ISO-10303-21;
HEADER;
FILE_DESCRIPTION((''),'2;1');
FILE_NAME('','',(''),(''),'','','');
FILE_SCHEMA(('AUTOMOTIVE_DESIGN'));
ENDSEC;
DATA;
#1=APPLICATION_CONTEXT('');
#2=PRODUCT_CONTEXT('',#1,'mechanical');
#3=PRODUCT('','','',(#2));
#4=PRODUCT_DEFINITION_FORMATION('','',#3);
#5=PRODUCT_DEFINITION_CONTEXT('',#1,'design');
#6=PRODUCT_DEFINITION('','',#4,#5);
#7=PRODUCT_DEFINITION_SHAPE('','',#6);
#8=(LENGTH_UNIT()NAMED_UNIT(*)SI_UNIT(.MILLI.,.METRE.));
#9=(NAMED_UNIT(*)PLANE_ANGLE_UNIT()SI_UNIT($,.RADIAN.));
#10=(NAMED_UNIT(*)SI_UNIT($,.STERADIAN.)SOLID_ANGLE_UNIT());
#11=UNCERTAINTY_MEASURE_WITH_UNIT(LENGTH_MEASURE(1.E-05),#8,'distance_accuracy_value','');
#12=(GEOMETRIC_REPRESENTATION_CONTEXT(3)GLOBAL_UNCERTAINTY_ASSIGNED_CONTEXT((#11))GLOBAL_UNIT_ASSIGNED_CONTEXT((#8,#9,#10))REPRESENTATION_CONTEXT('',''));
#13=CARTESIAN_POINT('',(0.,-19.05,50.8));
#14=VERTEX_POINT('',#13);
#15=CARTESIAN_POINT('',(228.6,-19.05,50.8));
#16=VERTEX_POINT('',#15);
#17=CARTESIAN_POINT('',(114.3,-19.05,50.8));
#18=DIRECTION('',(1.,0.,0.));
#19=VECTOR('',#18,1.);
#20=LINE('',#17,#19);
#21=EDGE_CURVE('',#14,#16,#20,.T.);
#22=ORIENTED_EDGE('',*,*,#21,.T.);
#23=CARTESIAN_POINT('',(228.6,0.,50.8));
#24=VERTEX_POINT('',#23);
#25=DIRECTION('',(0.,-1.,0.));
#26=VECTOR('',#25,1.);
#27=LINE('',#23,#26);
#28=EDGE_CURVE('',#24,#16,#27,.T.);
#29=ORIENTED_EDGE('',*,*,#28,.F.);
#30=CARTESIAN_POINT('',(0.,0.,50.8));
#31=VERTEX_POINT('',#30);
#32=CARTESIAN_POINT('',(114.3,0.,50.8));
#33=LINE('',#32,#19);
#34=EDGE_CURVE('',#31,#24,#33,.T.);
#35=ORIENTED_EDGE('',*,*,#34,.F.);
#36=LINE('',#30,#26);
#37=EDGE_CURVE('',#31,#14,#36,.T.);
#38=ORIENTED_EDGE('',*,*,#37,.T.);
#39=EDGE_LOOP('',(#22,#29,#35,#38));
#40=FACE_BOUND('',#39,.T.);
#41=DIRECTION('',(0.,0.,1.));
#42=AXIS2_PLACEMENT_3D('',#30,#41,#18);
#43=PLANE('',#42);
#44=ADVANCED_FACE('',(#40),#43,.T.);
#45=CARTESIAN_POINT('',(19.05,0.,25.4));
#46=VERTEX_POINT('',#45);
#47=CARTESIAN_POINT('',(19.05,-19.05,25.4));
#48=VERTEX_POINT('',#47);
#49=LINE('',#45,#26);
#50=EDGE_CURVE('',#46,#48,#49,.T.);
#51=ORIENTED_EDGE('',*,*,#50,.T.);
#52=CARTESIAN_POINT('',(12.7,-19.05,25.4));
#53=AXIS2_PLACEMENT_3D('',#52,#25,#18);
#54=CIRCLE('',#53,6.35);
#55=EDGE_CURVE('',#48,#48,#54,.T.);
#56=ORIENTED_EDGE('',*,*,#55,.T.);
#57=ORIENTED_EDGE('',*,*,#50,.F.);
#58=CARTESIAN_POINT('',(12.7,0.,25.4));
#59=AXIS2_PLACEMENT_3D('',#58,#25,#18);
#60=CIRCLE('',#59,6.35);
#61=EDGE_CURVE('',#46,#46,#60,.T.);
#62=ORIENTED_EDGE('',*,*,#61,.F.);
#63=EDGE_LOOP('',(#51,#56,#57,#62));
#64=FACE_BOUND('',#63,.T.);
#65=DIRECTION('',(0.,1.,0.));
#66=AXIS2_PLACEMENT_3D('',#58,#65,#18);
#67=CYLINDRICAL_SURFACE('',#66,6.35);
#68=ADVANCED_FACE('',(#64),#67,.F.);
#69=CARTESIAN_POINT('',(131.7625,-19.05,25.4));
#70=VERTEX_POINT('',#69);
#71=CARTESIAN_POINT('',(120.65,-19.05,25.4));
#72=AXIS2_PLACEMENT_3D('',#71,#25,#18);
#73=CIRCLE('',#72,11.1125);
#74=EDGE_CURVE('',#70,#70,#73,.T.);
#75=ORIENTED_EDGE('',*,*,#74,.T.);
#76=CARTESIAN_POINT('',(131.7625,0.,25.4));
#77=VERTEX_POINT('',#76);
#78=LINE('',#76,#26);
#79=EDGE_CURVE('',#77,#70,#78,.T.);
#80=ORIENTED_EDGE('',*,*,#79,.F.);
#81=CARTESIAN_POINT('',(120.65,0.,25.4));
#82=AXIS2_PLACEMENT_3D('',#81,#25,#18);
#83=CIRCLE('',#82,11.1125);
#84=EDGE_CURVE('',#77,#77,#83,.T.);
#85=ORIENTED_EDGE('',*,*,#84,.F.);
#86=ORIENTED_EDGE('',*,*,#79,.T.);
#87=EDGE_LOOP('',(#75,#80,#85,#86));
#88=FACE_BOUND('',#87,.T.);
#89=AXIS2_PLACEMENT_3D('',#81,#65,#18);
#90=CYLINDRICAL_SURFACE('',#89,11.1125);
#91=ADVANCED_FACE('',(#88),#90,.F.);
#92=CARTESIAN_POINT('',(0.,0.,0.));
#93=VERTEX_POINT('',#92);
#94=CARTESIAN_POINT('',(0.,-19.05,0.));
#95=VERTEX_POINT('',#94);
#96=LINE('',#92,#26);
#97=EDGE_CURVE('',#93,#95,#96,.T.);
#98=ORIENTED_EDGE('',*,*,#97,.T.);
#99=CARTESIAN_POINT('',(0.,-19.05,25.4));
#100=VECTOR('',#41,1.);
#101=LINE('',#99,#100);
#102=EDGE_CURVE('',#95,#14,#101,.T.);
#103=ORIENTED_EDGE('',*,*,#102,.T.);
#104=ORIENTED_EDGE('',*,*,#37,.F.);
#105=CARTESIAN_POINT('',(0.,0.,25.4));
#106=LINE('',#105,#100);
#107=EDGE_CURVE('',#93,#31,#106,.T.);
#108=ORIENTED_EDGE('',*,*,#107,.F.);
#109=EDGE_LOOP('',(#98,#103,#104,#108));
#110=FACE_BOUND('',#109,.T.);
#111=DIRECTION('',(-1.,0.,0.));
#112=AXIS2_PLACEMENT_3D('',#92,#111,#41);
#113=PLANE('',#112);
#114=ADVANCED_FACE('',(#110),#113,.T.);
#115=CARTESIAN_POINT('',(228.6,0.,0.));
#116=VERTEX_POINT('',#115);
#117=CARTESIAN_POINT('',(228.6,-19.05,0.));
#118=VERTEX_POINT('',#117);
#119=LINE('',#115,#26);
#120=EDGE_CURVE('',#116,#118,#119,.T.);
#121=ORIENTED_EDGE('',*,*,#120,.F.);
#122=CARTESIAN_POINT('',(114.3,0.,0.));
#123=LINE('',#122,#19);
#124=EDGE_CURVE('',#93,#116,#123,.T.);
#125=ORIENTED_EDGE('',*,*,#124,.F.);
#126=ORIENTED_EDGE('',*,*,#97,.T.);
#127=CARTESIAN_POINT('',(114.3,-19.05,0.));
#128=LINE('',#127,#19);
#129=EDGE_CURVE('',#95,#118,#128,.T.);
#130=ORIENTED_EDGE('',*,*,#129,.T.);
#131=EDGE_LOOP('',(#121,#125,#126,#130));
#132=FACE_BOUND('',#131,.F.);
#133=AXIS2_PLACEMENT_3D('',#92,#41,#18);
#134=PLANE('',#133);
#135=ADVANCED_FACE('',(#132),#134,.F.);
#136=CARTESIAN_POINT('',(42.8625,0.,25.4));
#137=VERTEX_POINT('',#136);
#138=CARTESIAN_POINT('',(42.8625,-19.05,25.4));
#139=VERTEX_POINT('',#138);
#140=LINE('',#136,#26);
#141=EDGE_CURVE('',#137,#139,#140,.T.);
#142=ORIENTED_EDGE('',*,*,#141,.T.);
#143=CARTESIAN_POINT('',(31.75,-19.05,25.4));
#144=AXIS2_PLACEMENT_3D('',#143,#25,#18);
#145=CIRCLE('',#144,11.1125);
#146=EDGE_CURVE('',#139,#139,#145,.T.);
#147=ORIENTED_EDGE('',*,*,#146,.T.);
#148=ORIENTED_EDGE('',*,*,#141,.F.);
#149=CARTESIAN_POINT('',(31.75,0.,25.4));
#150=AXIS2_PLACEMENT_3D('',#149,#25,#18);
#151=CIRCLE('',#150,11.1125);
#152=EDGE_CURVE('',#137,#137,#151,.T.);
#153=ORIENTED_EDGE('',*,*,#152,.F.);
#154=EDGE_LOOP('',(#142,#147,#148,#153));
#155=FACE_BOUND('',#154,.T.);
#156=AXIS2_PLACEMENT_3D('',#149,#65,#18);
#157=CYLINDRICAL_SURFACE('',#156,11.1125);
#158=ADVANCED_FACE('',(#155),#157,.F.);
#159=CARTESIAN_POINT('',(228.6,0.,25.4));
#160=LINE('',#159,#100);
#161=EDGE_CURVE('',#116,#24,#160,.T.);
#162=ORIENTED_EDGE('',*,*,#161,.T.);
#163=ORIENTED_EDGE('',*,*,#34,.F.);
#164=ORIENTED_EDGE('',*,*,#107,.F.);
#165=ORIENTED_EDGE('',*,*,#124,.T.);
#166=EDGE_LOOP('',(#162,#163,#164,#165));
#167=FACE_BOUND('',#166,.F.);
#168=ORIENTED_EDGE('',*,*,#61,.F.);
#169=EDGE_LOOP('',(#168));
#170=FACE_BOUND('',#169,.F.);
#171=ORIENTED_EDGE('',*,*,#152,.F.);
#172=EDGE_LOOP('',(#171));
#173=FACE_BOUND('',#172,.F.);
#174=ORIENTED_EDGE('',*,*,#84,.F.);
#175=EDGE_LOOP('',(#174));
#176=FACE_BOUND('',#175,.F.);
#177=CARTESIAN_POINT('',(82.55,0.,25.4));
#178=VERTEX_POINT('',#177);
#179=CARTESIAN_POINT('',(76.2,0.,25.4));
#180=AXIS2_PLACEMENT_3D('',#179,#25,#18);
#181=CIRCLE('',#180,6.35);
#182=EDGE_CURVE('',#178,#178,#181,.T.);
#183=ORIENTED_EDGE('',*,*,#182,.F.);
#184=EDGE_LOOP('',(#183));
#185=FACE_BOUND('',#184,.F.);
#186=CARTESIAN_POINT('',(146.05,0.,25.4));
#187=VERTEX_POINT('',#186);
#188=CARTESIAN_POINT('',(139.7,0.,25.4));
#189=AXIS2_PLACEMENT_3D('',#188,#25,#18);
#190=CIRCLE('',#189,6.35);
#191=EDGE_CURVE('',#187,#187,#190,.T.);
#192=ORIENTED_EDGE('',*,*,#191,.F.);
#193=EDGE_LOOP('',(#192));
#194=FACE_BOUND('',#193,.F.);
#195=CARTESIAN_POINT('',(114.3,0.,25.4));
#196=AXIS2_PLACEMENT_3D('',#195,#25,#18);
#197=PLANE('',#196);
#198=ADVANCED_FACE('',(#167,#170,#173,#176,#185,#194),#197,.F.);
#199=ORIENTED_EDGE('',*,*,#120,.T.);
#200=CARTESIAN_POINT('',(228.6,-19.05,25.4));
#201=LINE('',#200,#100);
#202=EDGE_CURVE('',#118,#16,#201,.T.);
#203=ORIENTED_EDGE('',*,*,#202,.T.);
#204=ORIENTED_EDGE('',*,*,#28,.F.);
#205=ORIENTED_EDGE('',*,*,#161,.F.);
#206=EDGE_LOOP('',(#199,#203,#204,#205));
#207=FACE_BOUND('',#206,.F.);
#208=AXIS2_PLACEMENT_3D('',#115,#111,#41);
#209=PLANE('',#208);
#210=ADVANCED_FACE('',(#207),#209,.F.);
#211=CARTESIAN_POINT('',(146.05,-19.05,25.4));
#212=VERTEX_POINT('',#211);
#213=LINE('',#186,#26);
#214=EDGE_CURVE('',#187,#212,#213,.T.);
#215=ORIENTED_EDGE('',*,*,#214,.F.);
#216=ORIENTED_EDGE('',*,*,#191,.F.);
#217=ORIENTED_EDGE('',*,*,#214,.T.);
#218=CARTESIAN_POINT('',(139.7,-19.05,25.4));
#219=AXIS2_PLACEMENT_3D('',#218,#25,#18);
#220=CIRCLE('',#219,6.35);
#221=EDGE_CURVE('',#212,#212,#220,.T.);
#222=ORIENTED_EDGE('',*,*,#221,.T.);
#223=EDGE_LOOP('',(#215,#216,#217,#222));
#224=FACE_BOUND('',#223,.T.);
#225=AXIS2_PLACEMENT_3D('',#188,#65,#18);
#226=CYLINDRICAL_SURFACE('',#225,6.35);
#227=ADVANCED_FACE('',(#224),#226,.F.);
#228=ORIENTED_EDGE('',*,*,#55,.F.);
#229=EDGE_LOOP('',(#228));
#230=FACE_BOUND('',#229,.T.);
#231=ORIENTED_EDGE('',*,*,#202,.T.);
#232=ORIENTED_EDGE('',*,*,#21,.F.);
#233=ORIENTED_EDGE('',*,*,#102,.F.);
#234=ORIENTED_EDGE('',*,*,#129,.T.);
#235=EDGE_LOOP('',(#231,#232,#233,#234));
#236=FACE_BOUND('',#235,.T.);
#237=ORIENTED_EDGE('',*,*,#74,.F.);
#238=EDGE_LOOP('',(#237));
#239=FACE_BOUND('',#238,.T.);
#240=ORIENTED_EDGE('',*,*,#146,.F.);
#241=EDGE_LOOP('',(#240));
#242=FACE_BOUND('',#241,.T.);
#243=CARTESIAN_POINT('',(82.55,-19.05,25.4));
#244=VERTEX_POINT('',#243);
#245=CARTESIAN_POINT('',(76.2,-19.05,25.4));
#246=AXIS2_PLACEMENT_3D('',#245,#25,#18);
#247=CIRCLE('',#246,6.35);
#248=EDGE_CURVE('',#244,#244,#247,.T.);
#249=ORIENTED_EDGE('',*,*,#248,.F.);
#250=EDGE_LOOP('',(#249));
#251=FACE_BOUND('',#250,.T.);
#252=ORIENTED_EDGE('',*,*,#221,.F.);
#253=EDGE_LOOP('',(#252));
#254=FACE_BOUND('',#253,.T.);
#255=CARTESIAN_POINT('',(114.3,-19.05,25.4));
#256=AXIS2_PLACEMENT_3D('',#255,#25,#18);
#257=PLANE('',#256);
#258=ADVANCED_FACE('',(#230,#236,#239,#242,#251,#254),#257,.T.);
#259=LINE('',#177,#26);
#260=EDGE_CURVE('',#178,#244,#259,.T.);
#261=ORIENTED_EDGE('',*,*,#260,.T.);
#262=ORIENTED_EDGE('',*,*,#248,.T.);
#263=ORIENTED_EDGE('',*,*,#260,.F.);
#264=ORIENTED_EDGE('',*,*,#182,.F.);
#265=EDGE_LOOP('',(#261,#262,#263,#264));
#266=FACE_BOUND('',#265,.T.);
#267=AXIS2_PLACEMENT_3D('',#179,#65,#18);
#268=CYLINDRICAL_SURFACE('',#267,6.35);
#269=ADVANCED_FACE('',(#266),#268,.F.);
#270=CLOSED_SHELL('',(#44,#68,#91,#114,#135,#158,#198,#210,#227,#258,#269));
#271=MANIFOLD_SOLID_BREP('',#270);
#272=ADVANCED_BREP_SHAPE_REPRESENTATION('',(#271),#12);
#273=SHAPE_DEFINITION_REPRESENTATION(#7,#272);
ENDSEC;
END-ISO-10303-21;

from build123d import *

# Parameters (mm, degrees)
F0_W     = 228.6
F0_H     = 50.8
F0_R     = 6.35
F0_R_2   = 11.1125
F1_DEPTH = 19.05


with BuildPart() as f1:
    # F0 (on Front) → F1 (new body)
    with BuildSketch(Plane.XZ):
        with Locations((114.3, 25.4)):
            Rectangle(F0_W, F0_H)
        with Locations((12.7, 25.4)):
            Circle(F0_R, mode=Mode.SUBTRACT)
        with Locations((31.75, 25.4)):
            Circle(F0_R_2, mode=Mode.SUBTRACT)
        with Locations((76.2, 25.4)):
            Circle(F0_R, mode=Mode.SUBTRACT)
        with Locations((120.65, 25.4)):
            Circle(F0_R_2, mode=Mode.SUBTRACT)
        with Locations((139.7, 25.4)):
            Circle(F0_R, mode=Mode.SUBTRACT)
    extrude(amount=F1_DEPTH)


solid = f1.part
